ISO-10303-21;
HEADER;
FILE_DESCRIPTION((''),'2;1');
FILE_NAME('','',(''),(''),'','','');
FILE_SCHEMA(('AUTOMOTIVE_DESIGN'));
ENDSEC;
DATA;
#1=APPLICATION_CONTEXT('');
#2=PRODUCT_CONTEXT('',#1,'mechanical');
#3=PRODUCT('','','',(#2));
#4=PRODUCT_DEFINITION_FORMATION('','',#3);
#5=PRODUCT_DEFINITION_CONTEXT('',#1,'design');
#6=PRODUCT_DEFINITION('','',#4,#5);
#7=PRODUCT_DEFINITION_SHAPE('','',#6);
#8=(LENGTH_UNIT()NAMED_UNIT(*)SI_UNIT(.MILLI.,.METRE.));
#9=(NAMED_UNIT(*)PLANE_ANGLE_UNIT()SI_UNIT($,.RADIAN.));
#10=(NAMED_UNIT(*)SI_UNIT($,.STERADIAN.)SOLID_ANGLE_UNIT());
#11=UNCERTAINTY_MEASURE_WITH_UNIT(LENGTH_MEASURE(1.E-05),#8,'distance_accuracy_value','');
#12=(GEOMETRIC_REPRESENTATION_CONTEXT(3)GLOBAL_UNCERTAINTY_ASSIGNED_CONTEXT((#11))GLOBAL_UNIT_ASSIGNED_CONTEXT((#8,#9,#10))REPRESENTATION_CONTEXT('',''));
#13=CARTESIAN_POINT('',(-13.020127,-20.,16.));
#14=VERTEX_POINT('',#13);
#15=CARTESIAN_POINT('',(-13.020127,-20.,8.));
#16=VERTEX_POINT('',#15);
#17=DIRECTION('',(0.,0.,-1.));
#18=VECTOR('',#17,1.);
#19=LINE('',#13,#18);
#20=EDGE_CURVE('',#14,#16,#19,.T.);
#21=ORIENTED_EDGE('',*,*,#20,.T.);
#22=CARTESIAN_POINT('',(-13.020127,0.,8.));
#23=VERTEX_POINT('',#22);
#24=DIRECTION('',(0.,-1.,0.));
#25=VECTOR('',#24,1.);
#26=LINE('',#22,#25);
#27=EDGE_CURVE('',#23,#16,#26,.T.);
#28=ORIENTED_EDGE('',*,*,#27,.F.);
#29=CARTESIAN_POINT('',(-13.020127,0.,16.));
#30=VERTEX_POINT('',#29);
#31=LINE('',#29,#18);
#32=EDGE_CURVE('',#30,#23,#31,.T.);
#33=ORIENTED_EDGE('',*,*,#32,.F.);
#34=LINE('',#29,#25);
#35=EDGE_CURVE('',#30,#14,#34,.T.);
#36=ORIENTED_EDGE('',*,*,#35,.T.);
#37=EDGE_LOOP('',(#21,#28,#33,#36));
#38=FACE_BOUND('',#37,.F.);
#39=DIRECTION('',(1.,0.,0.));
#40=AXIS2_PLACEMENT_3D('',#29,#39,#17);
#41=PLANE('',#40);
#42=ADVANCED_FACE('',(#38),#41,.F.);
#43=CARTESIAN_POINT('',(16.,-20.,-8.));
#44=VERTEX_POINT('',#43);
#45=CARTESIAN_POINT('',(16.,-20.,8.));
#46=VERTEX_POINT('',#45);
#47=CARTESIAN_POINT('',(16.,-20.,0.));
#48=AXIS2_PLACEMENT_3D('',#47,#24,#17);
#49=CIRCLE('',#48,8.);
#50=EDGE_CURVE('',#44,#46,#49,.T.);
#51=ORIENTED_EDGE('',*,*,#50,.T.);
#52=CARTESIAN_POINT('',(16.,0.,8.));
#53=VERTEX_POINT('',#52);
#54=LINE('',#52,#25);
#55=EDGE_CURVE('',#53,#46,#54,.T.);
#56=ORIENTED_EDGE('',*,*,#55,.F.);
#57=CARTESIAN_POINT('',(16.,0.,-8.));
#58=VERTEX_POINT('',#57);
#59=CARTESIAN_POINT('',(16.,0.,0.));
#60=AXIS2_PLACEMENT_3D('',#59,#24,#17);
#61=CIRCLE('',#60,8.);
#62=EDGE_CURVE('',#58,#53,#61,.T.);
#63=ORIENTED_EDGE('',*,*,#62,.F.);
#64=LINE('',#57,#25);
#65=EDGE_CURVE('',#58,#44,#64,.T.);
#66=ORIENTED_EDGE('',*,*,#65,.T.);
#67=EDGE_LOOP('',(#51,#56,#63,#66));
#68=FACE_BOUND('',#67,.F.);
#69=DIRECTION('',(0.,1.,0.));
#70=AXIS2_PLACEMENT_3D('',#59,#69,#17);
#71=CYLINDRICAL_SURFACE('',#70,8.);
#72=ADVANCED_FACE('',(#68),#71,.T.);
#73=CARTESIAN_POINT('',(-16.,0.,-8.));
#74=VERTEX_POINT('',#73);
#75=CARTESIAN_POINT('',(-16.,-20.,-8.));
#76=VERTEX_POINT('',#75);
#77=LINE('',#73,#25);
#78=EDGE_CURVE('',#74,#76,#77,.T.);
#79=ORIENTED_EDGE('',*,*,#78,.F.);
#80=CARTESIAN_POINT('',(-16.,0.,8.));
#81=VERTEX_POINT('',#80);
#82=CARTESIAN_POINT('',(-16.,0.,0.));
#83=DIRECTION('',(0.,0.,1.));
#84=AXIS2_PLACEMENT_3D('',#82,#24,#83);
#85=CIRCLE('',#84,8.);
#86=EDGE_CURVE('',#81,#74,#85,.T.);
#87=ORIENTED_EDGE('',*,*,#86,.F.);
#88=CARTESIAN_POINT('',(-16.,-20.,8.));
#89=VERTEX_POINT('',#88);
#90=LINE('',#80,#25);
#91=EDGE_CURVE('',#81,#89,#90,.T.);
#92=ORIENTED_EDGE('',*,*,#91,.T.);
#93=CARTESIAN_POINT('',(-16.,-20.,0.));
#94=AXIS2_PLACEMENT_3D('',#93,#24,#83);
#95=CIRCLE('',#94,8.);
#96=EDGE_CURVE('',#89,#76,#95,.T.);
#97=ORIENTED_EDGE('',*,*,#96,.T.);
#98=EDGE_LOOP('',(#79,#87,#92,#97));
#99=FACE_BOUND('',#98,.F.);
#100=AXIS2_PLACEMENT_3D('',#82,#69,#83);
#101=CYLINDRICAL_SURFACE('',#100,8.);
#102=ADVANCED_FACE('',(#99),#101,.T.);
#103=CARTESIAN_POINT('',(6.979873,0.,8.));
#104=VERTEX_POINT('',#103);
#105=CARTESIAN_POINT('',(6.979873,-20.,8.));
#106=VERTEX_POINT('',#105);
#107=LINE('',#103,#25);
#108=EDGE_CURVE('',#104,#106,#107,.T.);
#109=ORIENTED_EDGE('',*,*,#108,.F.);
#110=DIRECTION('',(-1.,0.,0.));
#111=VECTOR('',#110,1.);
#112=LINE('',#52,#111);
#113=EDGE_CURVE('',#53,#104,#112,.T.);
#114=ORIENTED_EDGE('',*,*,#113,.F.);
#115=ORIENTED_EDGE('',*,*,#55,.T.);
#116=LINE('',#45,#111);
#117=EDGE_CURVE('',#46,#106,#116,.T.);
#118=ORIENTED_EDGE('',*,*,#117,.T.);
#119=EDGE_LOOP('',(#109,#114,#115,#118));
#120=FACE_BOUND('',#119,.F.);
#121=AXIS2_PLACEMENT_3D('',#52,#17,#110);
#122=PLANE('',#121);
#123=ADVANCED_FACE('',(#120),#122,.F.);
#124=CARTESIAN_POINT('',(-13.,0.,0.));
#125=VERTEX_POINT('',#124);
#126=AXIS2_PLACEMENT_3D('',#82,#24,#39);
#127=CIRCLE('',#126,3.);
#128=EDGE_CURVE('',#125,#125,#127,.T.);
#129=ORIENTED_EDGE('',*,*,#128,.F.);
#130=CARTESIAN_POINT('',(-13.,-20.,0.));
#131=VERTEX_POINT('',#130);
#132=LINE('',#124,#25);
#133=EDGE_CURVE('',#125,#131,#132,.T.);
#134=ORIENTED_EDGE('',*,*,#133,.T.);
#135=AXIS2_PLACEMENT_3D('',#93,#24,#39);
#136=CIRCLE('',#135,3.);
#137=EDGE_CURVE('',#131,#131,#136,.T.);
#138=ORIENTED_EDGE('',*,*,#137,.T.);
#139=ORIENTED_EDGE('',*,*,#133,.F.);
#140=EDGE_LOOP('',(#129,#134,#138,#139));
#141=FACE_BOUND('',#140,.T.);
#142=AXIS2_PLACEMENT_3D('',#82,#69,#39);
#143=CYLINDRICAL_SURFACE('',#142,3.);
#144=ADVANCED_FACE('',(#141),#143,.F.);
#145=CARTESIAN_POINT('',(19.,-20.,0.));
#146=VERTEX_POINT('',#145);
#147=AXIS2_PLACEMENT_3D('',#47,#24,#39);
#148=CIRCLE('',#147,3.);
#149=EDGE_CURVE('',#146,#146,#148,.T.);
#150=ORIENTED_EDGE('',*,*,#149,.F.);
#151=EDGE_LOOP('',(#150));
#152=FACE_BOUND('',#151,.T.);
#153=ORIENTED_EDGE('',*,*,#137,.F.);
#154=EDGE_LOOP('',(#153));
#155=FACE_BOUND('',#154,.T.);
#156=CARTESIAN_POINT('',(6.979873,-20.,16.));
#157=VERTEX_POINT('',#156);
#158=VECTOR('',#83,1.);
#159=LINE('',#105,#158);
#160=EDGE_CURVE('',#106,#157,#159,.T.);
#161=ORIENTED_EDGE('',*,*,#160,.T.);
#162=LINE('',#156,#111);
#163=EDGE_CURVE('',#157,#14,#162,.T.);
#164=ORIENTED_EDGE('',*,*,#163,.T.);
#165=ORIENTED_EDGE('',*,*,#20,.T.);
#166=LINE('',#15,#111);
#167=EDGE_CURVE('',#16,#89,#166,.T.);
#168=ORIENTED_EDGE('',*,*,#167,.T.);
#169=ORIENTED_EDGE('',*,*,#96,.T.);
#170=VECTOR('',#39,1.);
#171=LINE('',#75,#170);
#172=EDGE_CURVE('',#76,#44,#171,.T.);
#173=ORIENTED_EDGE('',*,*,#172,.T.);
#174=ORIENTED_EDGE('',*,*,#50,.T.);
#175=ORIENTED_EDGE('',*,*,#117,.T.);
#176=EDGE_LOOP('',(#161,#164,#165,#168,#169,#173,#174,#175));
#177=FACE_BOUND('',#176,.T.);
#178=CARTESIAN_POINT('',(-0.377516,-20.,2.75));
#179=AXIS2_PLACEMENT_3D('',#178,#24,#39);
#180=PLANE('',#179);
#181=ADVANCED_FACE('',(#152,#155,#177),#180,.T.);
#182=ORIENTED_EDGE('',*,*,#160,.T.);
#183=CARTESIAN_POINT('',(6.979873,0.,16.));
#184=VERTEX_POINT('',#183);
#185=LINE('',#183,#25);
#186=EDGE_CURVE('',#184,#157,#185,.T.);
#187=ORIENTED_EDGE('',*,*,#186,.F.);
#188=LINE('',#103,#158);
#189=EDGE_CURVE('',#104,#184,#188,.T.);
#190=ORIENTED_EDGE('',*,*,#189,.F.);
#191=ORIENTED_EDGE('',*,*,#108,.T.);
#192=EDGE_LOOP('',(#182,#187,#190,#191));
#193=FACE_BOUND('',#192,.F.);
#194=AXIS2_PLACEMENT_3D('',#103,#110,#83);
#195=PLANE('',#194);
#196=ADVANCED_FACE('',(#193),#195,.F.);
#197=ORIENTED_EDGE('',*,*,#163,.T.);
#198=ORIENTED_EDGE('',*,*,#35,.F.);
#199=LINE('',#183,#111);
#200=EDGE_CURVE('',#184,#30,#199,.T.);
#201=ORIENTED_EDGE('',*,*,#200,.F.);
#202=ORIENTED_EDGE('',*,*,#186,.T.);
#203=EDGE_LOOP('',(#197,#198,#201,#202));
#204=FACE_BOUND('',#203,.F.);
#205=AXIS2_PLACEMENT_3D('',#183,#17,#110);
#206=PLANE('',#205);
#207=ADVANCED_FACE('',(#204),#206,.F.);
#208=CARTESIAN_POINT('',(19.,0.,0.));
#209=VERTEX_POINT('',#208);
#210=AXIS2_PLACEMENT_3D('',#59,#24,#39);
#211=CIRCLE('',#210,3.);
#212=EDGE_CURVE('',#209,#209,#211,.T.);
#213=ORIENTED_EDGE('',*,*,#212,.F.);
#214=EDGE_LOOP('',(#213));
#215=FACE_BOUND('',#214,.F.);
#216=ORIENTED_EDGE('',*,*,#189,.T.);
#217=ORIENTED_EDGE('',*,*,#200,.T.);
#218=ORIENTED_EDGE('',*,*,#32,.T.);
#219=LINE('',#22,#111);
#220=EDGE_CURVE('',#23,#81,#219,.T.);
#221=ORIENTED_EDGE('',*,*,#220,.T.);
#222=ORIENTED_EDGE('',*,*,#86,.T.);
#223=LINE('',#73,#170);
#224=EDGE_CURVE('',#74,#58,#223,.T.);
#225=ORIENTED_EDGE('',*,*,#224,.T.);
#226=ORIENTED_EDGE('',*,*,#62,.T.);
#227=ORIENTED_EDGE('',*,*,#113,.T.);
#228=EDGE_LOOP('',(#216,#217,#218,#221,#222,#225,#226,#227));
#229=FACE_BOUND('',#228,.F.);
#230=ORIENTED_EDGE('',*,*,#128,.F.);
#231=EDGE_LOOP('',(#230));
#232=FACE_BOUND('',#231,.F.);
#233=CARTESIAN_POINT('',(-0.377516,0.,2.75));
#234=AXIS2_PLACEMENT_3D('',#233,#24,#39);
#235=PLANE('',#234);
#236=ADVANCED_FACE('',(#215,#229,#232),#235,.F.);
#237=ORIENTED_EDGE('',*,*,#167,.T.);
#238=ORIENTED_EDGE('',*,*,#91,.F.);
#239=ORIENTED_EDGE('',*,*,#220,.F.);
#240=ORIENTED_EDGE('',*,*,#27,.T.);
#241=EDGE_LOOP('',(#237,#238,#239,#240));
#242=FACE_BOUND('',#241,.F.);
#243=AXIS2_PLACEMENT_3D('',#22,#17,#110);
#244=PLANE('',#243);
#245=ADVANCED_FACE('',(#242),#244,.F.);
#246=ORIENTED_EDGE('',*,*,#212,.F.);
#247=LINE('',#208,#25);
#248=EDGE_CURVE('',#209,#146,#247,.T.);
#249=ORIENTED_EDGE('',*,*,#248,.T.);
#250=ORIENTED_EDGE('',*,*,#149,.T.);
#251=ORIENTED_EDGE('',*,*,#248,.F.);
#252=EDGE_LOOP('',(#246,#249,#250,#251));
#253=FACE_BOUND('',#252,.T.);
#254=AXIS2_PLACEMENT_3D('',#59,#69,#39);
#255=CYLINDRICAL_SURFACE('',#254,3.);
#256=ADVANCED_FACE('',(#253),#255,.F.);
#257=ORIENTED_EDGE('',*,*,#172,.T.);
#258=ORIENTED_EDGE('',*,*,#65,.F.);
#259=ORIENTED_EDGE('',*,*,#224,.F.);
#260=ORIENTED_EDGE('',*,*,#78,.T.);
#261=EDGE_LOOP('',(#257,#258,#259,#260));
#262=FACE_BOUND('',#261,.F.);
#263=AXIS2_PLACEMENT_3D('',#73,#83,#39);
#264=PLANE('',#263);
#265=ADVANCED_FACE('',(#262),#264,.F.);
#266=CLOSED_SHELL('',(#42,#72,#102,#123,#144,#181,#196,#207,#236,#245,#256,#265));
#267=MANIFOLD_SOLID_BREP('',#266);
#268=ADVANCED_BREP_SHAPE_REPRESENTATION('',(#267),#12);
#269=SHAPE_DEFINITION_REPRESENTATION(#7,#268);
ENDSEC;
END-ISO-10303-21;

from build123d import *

# Parameters (mm, degrees)
F0_R     = 3
F1_DEPTH = 20


with BuildPart() as f1:
    # F0 (on Front) → F1 (new body)
    with BuildSketch(Plane.XZ):
        with BuildLine():
            Line((-13.020127, 8), (-16, 8))
            ThreePointArc((-16, 8), (-24, 0), (-16, -8))
            Line((-16, -8), (16, -8))
            ThreePointArc((16, -8), (24, 0), (16, 8))
            Line((16, 8), (6.979873, 8))
            Line((6.979873, 8), (6.979873, 16))
            Line((6.979873, 16), (-13.020127, 16))
            Line((-13.020127, 16), (-13.020127, 8))
        make_face()
        with Locations((-16, 0)):
            Circle(F0_R, mode=Mode.SUBTRACT)
        with Locations((16, 0)):
            Circle(F0_R, mode=Mode.SUBTRACT)
    extrude(amount=F1_DEPTH)


solid = f1.part
